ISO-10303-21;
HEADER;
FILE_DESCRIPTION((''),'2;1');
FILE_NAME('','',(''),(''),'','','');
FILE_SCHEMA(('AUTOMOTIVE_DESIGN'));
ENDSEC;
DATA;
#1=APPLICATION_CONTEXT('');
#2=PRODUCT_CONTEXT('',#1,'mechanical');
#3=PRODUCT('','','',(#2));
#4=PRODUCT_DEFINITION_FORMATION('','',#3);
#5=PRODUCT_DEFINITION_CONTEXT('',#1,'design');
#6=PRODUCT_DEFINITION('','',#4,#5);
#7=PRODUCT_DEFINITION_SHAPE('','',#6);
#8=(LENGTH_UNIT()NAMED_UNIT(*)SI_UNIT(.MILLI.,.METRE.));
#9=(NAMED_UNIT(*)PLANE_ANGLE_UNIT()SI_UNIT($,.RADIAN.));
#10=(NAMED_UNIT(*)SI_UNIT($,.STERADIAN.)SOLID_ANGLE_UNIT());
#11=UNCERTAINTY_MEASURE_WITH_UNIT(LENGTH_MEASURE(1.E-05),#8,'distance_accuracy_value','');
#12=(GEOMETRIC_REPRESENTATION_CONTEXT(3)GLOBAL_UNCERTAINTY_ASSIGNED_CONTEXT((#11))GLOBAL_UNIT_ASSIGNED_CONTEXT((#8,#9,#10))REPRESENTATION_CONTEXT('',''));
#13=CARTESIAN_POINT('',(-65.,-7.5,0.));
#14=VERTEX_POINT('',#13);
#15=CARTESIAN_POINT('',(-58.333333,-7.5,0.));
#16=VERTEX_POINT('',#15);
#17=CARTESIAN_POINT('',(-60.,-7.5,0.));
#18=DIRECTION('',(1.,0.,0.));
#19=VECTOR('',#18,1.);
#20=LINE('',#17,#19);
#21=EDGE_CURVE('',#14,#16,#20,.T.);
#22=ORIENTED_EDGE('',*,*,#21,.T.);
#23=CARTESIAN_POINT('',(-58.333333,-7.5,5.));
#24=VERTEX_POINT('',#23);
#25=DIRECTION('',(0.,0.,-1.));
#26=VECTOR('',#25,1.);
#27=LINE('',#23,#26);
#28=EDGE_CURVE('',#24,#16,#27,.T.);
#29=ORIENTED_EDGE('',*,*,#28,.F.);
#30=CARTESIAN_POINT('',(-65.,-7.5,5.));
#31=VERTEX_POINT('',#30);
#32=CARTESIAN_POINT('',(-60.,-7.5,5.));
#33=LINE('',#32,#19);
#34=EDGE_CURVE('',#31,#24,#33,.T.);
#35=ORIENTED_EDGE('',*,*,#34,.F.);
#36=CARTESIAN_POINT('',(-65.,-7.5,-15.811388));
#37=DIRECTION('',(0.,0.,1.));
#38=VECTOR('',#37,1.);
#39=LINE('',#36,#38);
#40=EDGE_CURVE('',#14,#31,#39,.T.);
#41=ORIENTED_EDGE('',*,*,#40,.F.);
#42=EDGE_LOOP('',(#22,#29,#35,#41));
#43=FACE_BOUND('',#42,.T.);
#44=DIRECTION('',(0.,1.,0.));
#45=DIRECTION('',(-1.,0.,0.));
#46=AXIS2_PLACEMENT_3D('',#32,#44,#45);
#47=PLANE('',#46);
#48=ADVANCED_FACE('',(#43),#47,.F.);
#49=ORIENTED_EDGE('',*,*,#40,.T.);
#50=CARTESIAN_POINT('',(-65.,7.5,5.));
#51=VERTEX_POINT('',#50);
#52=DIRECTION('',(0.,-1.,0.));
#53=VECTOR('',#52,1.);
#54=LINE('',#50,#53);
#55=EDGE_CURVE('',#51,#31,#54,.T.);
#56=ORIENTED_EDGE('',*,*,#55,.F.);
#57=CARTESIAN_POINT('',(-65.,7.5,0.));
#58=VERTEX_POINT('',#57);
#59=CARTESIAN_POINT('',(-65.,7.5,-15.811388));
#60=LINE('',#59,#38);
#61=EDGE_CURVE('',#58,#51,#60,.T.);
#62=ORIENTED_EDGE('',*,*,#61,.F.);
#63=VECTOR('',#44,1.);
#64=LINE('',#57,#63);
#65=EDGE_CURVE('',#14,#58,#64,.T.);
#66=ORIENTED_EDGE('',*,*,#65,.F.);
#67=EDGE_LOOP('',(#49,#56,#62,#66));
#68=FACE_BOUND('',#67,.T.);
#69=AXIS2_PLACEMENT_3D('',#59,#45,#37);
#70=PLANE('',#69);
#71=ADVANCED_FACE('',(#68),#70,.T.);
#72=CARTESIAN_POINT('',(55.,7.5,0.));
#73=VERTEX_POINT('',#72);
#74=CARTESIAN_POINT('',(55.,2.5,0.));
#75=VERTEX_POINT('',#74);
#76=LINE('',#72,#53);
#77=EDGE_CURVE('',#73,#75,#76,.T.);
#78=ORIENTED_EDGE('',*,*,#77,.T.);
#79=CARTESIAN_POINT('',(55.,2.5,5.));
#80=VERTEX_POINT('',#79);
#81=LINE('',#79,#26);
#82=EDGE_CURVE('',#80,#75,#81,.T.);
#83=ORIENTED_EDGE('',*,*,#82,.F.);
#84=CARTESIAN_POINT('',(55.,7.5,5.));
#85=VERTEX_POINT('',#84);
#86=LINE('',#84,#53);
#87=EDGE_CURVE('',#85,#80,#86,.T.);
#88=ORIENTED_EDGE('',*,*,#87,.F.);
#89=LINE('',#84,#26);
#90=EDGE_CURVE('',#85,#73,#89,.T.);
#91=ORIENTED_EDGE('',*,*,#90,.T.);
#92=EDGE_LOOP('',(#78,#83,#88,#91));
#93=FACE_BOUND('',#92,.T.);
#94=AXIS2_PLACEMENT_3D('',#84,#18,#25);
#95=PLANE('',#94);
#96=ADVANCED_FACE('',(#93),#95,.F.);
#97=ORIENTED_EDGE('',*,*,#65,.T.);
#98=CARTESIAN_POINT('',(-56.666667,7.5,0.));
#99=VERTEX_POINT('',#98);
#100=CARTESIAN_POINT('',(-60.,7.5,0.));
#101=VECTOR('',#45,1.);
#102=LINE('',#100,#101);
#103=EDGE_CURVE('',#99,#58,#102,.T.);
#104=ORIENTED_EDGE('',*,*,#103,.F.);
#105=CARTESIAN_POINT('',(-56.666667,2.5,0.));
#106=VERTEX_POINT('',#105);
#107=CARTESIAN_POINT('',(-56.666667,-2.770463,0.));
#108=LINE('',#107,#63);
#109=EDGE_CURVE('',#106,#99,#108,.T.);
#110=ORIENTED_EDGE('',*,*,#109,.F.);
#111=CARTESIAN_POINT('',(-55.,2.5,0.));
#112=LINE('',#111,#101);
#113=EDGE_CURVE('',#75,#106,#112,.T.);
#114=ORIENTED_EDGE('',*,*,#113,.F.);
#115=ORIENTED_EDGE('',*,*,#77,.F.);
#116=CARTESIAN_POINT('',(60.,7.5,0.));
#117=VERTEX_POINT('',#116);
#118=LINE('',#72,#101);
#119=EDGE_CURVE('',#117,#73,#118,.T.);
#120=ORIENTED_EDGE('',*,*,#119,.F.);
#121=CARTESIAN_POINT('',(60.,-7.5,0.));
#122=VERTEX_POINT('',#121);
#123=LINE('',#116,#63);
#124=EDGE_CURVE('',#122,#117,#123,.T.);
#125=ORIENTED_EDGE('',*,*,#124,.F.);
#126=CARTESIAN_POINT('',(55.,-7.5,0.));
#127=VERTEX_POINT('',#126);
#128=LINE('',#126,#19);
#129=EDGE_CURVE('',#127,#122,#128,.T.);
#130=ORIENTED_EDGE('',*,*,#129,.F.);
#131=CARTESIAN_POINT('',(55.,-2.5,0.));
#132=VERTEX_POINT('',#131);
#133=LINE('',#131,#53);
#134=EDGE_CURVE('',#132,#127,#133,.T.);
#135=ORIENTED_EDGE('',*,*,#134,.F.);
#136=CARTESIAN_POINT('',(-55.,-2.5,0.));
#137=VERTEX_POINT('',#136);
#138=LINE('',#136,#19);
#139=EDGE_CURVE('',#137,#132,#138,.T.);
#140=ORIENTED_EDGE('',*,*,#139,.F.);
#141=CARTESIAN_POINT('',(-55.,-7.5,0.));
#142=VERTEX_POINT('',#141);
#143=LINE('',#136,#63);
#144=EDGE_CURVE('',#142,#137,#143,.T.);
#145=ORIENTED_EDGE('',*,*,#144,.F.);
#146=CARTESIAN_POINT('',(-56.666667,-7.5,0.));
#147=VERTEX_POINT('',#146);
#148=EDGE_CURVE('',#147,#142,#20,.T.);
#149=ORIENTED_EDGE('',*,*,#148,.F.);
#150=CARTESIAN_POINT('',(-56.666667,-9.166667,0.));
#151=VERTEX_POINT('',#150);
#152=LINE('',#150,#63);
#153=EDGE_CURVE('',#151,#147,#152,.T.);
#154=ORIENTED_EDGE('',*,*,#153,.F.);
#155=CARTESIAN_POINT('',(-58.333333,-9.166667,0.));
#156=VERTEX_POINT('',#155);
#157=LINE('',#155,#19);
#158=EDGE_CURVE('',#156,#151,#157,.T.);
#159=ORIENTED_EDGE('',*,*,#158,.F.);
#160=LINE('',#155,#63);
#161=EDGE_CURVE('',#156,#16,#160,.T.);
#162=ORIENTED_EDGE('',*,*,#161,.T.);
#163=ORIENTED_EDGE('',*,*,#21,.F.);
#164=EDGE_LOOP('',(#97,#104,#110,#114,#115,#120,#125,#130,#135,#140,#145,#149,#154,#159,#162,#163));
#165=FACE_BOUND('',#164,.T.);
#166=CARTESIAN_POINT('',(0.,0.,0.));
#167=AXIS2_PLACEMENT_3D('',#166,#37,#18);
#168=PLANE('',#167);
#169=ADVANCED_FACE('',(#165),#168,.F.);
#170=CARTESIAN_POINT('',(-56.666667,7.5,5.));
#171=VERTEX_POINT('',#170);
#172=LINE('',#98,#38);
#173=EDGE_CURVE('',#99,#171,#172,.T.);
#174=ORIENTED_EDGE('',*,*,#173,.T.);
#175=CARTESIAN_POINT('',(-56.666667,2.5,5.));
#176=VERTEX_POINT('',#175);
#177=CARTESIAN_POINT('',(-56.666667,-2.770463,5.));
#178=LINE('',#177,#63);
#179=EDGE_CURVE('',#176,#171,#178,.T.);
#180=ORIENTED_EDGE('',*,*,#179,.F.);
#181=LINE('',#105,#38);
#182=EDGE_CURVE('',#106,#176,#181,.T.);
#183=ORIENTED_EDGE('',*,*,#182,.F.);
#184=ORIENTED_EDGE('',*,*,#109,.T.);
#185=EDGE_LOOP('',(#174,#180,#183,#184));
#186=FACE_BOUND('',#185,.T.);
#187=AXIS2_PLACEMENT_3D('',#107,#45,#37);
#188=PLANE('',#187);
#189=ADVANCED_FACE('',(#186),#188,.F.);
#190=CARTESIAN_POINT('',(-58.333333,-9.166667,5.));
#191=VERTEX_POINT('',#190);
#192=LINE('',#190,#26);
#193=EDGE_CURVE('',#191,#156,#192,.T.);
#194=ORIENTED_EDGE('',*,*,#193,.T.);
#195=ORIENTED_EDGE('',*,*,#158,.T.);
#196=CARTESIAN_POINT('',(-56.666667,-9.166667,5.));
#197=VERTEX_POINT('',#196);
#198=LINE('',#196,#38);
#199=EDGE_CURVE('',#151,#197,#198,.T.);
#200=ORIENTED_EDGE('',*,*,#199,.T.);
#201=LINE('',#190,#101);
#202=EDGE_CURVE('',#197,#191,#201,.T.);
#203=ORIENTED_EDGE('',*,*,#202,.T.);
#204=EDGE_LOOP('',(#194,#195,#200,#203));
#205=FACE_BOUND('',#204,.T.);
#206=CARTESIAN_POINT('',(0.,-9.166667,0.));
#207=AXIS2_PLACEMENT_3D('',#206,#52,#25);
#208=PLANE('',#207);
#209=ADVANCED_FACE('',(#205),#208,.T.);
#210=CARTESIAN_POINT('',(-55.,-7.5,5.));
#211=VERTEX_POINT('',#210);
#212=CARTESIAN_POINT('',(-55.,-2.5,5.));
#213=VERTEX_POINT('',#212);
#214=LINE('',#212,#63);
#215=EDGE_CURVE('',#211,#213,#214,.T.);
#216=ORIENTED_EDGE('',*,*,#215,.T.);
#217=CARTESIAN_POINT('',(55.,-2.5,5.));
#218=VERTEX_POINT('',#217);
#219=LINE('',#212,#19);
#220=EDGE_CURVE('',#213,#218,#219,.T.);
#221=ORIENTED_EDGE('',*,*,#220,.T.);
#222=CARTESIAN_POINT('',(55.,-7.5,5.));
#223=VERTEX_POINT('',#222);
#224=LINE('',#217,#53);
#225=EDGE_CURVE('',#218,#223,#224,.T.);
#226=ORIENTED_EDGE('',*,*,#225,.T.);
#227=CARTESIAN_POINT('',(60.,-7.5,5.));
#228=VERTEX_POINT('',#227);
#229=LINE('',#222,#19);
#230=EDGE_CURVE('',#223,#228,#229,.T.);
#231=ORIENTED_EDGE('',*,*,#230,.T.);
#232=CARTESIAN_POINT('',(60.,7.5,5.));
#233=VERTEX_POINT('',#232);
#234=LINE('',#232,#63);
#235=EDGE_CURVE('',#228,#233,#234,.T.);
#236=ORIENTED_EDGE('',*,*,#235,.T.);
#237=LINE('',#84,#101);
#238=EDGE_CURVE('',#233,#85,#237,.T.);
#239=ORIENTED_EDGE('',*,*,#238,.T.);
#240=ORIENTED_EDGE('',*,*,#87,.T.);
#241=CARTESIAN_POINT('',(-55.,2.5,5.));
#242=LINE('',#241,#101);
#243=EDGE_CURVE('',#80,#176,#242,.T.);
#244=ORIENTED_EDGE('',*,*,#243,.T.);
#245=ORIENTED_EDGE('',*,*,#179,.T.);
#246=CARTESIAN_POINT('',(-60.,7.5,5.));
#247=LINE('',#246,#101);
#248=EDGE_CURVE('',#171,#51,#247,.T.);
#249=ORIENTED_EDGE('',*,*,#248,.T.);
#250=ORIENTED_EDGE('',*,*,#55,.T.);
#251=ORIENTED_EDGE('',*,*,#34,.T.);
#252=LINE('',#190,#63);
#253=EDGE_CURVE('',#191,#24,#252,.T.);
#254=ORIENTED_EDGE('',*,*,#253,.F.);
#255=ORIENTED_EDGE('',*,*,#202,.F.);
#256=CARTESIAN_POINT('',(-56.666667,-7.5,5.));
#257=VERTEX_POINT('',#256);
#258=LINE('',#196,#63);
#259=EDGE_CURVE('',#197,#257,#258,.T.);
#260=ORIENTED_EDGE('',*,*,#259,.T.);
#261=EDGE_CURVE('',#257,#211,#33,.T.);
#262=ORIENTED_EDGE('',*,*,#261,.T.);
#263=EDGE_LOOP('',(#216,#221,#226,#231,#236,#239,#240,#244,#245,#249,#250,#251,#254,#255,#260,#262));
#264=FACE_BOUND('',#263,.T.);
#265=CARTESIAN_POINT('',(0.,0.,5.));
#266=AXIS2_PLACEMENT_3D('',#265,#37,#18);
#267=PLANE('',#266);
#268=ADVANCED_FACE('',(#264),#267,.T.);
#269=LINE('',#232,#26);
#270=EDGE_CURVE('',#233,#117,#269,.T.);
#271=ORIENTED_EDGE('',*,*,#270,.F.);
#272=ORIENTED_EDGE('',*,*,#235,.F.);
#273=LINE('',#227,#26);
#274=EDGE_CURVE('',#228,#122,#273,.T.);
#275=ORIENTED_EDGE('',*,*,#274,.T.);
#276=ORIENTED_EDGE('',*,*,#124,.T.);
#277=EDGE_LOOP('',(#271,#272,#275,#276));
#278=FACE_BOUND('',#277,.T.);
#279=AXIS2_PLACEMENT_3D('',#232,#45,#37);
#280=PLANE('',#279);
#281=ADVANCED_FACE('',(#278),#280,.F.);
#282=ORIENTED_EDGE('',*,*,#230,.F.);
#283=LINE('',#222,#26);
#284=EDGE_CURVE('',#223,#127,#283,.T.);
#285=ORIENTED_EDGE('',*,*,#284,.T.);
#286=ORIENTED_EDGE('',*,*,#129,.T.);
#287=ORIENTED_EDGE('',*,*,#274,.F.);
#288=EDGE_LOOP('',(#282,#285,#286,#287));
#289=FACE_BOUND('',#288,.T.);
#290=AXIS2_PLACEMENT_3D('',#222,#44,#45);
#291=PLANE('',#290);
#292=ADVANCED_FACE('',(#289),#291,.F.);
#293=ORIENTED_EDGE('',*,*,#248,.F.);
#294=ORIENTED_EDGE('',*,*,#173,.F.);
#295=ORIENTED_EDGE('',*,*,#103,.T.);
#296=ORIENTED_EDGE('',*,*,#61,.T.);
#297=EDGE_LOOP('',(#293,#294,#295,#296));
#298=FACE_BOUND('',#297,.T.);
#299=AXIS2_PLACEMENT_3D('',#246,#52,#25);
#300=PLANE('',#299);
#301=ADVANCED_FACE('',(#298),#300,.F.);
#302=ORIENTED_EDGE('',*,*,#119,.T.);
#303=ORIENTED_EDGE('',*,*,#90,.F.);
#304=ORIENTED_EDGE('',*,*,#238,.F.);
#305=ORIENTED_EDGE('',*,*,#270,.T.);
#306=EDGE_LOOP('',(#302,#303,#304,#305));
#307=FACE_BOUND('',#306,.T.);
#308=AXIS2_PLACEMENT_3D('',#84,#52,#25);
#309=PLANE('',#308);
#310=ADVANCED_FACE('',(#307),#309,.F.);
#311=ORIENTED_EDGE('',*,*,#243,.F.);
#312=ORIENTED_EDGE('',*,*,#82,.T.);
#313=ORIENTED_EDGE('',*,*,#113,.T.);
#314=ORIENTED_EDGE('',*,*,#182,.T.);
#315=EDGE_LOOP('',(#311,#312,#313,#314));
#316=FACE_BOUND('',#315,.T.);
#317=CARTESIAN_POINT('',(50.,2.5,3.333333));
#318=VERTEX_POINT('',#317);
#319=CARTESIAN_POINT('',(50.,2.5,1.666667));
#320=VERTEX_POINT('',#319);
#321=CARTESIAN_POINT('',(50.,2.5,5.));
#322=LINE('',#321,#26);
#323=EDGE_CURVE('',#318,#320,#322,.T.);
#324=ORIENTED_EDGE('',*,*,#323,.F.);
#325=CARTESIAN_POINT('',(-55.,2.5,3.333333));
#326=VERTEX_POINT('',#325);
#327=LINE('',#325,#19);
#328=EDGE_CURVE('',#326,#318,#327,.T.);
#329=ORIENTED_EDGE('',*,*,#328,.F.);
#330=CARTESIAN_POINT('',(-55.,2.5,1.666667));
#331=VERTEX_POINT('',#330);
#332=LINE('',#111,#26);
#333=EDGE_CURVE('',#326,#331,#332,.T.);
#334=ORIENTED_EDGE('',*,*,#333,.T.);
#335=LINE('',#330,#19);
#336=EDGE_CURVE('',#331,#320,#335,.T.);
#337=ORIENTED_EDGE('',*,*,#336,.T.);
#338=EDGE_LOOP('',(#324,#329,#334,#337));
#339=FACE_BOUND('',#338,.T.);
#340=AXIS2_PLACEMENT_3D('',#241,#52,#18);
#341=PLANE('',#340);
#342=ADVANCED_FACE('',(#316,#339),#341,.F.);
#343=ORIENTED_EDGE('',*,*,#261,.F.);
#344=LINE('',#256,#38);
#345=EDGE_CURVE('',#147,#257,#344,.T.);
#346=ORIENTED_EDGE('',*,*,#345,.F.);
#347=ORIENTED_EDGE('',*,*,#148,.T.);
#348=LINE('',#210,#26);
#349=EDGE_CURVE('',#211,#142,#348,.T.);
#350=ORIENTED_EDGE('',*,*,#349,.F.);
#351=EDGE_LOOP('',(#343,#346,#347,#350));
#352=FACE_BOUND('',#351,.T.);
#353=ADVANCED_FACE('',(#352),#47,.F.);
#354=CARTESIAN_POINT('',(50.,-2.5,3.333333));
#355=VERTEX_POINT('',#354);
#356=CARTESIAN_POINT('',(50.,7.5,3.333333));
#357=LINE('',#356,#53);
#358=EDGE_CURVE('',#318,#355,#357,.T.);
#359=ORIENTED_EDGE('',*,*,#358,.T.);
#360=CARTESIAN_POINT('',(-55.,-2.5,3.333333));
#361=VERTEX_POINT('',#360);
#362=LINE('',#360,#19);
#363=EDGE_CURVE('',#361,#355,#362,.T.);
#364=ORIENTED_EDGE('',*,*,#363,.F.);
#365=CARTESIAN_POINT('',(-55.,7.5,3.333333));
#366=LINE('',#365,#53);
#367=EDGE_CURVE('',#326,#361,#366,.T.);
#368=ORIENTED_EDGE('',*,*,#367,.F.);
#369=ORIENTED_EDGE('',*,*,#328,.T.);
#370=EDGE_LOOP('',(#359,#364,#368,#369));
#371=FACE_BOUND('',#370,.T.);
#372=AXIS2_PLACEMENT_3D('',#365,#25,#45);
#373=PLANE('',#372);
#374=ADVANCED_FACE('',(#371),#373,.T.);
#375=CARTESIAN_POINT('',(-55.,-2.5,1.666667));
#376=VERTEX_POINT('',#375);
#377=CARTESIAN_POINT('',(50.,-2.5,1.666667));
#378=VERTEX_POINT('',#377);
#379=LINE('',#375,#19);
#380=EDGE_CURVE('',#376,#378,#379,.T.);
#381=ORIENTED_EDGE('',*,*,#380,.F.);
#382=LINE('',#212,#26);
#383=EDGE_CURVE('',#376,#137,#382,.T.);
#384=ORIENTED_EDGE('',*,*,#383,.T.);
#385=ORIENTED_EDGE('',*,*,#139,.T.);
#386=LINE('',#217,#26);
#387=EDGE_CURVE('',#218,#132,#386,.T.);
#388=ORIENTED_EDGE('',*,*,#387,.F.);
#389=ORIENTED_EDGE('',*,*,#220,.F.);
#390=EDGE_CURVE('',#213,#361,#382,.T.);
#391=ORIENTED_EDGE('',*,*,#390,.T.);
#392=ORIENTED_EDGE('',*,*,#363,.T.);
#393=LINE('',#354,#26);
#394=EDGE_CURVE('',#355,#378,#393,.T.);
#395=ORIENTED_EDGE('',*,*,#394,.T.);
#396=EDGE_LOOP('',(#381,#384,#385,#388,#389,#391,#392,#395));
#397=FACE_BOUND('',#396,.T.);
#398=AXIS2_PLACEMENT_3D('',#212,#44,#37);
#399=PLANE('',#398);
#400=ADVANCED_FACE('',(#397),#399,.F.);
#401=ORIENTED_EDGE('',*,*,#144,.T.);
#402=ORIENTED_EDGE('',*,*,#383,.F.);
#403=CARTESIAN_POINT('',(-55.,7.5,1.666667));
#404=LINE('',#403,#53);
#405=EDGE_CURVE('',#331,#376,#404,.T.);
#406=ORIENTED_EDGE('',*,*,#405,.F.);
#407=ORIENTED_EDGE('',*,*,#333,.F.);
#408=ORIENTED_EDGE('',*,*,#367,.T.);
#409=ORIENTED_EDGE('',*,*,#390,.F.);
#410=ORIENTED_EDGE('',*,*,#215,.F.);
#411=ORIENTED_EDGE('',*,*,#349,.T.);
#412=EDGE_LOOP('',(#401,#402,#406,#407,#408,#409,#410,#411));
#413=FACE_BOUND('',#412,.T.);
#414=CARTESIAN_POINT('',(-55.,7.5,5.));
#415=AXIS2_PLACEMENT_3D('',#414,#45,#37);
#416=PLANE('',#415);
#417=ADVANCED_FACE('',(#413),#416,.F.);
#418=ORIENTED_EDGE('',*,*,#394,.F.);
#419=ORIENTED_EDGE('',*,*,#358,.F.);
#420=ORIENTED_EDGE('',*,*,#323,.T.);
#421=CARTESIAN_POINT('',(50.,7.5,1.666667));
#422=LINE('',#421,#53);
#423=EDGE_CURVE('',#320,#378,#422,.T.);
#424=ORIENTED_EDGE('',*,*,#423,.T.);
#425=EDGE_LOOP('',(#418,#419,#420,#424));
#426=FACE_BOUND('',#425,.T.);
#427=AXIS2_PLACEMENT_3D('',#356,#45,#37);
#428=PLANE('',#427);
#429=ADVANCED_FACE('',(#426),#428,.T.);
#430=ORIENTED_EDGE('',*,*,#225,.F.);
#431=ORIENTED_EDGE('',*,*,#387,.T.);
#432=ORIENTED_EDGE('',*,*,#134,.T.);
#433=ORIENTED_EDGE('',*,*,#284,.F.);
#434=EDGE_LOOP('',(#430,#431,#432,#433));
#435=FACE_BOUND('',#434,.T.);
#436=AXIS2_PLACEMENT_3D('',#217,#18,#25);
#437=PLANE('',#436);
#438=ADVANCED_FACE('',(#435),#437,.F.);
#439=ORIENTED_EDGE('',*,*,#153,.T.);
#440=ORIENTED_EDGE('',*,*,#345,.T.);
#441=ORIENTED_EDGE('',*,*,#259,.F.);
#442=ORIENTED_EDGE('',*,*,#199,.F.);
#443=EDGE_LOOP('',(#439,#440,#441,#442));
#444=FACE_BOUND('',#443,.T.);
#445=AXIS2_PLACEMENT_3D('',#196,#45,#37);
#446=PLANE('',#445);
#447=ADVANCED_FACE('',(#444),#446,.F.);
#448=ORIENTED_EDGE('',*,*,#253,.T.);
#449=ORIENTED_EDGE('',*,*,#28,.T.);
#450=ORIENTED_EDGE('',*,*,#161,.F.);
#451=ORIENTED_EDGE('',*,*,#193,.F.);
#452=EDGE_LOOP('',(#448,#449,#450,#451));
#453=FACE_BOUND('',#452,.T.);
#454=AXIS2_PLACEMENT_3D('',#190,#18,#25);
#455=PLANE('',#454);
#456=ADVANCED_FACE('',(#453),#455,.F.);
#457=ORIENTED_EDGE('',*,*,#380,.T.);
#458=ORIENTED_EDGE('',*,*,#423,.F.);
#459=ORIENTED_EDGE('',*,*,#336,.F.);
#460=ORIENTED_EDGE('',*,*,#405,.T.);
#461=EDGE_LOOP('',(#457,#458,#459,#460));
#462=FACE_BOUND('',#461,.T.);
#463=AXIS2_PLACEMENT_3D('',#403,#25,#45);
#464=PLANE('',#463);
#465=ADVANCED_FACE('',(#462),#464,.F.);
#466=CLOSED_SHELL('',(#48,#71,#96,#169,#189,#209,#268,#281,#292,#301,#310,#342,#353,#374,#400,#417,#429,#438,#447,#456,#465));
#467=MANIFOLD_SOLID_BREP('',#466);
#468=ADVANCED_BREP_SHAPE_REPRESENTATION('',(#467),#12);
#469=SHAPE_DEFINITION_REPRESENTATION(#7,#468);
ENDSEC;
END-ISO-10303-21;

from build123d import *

# Parameters (mm, degrees)
SLIDER_MAIN_BODY_DEPTH = 5
SKETCH2_W              = 1.666666666
SKETCH2_H              = 5
TRACK_SLIDER_DEPTH     = 1.666666667
SKETCH3_W              = 5
SKETCH3_H              = 15
HANDLE_DEPTH           = 5
SKETCH4_W              = 105
SKETCH4_H              = 1.666666666
CUT_EXTRUDE1_DEPTH     = 66.954529791
SKETCH5_W              = 1.666666667
SKETCH5_H              = 5
CUT_EXTRUDE2_DEPTH     = 5


with BuildPart() as part:
    # Sketch1 → Slider Main Body (new body)
    with BuildSketch(Plane.XY):
        Polygon((-55, 7.5), (-55, 2.5), (55, 2.5), (55, 7.5), (60, 7.5), (60, -7.5), (55, -7.5), (55, -2.5), (-55, -2.5), (-55, -7.5), (-60, -7.5), (-60, 7.5), align=None)
    extrude(amount=SLIDER_MAIN_BODY_DEPTH)

    # Sketch2 → Track Slider (add)
    with BuildSketch(Plane.XZ.offset(7.5)):
        with Locations((-57.5, 2.5)):
            Rectangle(SKETCH2_W, SKETCH2_H)
    extrude(amount=TRACK_SLIDER_DEPTH)

    # Sketch3 → Handle (add)
    with BuildSketch(Plane.XY.offset(5)):
        with Locations((-62.5, 0)):
            Rectangle(SKETCH3_W, SKETCH3_H)
    extrude(amount=-HANDLE_DEPTH)

    # Sketch4 → Cut-Extrude1 (cut, through all)
    with BuildSketch(Plane.XZ.offset(2.5)):
        with Locations((-2.5, 2.5)):
            Rectangle(SKETCH4_W, SKETCH4_H)
    extrude(amount=-CUT_EXTRUDE1_DEPTH, mode=Mode.SUBTRACT)

    # Sketch5 → Cut-Extrude2 (cut)
    with BuildSketch(Plane(origin=(0, 7.5, 0), x_dir=(1, 0, 0), z_dir=(0, 1, 0))):
        with Locations((-55.833333334, -2.5)):
            Rectangle(SKETCH5_W, SKETCH5_H)
    extrude(amount=-CUT_EXTRUDE2_DEPTH, mode=Mode.SUBTRACT)


solid = part.part
